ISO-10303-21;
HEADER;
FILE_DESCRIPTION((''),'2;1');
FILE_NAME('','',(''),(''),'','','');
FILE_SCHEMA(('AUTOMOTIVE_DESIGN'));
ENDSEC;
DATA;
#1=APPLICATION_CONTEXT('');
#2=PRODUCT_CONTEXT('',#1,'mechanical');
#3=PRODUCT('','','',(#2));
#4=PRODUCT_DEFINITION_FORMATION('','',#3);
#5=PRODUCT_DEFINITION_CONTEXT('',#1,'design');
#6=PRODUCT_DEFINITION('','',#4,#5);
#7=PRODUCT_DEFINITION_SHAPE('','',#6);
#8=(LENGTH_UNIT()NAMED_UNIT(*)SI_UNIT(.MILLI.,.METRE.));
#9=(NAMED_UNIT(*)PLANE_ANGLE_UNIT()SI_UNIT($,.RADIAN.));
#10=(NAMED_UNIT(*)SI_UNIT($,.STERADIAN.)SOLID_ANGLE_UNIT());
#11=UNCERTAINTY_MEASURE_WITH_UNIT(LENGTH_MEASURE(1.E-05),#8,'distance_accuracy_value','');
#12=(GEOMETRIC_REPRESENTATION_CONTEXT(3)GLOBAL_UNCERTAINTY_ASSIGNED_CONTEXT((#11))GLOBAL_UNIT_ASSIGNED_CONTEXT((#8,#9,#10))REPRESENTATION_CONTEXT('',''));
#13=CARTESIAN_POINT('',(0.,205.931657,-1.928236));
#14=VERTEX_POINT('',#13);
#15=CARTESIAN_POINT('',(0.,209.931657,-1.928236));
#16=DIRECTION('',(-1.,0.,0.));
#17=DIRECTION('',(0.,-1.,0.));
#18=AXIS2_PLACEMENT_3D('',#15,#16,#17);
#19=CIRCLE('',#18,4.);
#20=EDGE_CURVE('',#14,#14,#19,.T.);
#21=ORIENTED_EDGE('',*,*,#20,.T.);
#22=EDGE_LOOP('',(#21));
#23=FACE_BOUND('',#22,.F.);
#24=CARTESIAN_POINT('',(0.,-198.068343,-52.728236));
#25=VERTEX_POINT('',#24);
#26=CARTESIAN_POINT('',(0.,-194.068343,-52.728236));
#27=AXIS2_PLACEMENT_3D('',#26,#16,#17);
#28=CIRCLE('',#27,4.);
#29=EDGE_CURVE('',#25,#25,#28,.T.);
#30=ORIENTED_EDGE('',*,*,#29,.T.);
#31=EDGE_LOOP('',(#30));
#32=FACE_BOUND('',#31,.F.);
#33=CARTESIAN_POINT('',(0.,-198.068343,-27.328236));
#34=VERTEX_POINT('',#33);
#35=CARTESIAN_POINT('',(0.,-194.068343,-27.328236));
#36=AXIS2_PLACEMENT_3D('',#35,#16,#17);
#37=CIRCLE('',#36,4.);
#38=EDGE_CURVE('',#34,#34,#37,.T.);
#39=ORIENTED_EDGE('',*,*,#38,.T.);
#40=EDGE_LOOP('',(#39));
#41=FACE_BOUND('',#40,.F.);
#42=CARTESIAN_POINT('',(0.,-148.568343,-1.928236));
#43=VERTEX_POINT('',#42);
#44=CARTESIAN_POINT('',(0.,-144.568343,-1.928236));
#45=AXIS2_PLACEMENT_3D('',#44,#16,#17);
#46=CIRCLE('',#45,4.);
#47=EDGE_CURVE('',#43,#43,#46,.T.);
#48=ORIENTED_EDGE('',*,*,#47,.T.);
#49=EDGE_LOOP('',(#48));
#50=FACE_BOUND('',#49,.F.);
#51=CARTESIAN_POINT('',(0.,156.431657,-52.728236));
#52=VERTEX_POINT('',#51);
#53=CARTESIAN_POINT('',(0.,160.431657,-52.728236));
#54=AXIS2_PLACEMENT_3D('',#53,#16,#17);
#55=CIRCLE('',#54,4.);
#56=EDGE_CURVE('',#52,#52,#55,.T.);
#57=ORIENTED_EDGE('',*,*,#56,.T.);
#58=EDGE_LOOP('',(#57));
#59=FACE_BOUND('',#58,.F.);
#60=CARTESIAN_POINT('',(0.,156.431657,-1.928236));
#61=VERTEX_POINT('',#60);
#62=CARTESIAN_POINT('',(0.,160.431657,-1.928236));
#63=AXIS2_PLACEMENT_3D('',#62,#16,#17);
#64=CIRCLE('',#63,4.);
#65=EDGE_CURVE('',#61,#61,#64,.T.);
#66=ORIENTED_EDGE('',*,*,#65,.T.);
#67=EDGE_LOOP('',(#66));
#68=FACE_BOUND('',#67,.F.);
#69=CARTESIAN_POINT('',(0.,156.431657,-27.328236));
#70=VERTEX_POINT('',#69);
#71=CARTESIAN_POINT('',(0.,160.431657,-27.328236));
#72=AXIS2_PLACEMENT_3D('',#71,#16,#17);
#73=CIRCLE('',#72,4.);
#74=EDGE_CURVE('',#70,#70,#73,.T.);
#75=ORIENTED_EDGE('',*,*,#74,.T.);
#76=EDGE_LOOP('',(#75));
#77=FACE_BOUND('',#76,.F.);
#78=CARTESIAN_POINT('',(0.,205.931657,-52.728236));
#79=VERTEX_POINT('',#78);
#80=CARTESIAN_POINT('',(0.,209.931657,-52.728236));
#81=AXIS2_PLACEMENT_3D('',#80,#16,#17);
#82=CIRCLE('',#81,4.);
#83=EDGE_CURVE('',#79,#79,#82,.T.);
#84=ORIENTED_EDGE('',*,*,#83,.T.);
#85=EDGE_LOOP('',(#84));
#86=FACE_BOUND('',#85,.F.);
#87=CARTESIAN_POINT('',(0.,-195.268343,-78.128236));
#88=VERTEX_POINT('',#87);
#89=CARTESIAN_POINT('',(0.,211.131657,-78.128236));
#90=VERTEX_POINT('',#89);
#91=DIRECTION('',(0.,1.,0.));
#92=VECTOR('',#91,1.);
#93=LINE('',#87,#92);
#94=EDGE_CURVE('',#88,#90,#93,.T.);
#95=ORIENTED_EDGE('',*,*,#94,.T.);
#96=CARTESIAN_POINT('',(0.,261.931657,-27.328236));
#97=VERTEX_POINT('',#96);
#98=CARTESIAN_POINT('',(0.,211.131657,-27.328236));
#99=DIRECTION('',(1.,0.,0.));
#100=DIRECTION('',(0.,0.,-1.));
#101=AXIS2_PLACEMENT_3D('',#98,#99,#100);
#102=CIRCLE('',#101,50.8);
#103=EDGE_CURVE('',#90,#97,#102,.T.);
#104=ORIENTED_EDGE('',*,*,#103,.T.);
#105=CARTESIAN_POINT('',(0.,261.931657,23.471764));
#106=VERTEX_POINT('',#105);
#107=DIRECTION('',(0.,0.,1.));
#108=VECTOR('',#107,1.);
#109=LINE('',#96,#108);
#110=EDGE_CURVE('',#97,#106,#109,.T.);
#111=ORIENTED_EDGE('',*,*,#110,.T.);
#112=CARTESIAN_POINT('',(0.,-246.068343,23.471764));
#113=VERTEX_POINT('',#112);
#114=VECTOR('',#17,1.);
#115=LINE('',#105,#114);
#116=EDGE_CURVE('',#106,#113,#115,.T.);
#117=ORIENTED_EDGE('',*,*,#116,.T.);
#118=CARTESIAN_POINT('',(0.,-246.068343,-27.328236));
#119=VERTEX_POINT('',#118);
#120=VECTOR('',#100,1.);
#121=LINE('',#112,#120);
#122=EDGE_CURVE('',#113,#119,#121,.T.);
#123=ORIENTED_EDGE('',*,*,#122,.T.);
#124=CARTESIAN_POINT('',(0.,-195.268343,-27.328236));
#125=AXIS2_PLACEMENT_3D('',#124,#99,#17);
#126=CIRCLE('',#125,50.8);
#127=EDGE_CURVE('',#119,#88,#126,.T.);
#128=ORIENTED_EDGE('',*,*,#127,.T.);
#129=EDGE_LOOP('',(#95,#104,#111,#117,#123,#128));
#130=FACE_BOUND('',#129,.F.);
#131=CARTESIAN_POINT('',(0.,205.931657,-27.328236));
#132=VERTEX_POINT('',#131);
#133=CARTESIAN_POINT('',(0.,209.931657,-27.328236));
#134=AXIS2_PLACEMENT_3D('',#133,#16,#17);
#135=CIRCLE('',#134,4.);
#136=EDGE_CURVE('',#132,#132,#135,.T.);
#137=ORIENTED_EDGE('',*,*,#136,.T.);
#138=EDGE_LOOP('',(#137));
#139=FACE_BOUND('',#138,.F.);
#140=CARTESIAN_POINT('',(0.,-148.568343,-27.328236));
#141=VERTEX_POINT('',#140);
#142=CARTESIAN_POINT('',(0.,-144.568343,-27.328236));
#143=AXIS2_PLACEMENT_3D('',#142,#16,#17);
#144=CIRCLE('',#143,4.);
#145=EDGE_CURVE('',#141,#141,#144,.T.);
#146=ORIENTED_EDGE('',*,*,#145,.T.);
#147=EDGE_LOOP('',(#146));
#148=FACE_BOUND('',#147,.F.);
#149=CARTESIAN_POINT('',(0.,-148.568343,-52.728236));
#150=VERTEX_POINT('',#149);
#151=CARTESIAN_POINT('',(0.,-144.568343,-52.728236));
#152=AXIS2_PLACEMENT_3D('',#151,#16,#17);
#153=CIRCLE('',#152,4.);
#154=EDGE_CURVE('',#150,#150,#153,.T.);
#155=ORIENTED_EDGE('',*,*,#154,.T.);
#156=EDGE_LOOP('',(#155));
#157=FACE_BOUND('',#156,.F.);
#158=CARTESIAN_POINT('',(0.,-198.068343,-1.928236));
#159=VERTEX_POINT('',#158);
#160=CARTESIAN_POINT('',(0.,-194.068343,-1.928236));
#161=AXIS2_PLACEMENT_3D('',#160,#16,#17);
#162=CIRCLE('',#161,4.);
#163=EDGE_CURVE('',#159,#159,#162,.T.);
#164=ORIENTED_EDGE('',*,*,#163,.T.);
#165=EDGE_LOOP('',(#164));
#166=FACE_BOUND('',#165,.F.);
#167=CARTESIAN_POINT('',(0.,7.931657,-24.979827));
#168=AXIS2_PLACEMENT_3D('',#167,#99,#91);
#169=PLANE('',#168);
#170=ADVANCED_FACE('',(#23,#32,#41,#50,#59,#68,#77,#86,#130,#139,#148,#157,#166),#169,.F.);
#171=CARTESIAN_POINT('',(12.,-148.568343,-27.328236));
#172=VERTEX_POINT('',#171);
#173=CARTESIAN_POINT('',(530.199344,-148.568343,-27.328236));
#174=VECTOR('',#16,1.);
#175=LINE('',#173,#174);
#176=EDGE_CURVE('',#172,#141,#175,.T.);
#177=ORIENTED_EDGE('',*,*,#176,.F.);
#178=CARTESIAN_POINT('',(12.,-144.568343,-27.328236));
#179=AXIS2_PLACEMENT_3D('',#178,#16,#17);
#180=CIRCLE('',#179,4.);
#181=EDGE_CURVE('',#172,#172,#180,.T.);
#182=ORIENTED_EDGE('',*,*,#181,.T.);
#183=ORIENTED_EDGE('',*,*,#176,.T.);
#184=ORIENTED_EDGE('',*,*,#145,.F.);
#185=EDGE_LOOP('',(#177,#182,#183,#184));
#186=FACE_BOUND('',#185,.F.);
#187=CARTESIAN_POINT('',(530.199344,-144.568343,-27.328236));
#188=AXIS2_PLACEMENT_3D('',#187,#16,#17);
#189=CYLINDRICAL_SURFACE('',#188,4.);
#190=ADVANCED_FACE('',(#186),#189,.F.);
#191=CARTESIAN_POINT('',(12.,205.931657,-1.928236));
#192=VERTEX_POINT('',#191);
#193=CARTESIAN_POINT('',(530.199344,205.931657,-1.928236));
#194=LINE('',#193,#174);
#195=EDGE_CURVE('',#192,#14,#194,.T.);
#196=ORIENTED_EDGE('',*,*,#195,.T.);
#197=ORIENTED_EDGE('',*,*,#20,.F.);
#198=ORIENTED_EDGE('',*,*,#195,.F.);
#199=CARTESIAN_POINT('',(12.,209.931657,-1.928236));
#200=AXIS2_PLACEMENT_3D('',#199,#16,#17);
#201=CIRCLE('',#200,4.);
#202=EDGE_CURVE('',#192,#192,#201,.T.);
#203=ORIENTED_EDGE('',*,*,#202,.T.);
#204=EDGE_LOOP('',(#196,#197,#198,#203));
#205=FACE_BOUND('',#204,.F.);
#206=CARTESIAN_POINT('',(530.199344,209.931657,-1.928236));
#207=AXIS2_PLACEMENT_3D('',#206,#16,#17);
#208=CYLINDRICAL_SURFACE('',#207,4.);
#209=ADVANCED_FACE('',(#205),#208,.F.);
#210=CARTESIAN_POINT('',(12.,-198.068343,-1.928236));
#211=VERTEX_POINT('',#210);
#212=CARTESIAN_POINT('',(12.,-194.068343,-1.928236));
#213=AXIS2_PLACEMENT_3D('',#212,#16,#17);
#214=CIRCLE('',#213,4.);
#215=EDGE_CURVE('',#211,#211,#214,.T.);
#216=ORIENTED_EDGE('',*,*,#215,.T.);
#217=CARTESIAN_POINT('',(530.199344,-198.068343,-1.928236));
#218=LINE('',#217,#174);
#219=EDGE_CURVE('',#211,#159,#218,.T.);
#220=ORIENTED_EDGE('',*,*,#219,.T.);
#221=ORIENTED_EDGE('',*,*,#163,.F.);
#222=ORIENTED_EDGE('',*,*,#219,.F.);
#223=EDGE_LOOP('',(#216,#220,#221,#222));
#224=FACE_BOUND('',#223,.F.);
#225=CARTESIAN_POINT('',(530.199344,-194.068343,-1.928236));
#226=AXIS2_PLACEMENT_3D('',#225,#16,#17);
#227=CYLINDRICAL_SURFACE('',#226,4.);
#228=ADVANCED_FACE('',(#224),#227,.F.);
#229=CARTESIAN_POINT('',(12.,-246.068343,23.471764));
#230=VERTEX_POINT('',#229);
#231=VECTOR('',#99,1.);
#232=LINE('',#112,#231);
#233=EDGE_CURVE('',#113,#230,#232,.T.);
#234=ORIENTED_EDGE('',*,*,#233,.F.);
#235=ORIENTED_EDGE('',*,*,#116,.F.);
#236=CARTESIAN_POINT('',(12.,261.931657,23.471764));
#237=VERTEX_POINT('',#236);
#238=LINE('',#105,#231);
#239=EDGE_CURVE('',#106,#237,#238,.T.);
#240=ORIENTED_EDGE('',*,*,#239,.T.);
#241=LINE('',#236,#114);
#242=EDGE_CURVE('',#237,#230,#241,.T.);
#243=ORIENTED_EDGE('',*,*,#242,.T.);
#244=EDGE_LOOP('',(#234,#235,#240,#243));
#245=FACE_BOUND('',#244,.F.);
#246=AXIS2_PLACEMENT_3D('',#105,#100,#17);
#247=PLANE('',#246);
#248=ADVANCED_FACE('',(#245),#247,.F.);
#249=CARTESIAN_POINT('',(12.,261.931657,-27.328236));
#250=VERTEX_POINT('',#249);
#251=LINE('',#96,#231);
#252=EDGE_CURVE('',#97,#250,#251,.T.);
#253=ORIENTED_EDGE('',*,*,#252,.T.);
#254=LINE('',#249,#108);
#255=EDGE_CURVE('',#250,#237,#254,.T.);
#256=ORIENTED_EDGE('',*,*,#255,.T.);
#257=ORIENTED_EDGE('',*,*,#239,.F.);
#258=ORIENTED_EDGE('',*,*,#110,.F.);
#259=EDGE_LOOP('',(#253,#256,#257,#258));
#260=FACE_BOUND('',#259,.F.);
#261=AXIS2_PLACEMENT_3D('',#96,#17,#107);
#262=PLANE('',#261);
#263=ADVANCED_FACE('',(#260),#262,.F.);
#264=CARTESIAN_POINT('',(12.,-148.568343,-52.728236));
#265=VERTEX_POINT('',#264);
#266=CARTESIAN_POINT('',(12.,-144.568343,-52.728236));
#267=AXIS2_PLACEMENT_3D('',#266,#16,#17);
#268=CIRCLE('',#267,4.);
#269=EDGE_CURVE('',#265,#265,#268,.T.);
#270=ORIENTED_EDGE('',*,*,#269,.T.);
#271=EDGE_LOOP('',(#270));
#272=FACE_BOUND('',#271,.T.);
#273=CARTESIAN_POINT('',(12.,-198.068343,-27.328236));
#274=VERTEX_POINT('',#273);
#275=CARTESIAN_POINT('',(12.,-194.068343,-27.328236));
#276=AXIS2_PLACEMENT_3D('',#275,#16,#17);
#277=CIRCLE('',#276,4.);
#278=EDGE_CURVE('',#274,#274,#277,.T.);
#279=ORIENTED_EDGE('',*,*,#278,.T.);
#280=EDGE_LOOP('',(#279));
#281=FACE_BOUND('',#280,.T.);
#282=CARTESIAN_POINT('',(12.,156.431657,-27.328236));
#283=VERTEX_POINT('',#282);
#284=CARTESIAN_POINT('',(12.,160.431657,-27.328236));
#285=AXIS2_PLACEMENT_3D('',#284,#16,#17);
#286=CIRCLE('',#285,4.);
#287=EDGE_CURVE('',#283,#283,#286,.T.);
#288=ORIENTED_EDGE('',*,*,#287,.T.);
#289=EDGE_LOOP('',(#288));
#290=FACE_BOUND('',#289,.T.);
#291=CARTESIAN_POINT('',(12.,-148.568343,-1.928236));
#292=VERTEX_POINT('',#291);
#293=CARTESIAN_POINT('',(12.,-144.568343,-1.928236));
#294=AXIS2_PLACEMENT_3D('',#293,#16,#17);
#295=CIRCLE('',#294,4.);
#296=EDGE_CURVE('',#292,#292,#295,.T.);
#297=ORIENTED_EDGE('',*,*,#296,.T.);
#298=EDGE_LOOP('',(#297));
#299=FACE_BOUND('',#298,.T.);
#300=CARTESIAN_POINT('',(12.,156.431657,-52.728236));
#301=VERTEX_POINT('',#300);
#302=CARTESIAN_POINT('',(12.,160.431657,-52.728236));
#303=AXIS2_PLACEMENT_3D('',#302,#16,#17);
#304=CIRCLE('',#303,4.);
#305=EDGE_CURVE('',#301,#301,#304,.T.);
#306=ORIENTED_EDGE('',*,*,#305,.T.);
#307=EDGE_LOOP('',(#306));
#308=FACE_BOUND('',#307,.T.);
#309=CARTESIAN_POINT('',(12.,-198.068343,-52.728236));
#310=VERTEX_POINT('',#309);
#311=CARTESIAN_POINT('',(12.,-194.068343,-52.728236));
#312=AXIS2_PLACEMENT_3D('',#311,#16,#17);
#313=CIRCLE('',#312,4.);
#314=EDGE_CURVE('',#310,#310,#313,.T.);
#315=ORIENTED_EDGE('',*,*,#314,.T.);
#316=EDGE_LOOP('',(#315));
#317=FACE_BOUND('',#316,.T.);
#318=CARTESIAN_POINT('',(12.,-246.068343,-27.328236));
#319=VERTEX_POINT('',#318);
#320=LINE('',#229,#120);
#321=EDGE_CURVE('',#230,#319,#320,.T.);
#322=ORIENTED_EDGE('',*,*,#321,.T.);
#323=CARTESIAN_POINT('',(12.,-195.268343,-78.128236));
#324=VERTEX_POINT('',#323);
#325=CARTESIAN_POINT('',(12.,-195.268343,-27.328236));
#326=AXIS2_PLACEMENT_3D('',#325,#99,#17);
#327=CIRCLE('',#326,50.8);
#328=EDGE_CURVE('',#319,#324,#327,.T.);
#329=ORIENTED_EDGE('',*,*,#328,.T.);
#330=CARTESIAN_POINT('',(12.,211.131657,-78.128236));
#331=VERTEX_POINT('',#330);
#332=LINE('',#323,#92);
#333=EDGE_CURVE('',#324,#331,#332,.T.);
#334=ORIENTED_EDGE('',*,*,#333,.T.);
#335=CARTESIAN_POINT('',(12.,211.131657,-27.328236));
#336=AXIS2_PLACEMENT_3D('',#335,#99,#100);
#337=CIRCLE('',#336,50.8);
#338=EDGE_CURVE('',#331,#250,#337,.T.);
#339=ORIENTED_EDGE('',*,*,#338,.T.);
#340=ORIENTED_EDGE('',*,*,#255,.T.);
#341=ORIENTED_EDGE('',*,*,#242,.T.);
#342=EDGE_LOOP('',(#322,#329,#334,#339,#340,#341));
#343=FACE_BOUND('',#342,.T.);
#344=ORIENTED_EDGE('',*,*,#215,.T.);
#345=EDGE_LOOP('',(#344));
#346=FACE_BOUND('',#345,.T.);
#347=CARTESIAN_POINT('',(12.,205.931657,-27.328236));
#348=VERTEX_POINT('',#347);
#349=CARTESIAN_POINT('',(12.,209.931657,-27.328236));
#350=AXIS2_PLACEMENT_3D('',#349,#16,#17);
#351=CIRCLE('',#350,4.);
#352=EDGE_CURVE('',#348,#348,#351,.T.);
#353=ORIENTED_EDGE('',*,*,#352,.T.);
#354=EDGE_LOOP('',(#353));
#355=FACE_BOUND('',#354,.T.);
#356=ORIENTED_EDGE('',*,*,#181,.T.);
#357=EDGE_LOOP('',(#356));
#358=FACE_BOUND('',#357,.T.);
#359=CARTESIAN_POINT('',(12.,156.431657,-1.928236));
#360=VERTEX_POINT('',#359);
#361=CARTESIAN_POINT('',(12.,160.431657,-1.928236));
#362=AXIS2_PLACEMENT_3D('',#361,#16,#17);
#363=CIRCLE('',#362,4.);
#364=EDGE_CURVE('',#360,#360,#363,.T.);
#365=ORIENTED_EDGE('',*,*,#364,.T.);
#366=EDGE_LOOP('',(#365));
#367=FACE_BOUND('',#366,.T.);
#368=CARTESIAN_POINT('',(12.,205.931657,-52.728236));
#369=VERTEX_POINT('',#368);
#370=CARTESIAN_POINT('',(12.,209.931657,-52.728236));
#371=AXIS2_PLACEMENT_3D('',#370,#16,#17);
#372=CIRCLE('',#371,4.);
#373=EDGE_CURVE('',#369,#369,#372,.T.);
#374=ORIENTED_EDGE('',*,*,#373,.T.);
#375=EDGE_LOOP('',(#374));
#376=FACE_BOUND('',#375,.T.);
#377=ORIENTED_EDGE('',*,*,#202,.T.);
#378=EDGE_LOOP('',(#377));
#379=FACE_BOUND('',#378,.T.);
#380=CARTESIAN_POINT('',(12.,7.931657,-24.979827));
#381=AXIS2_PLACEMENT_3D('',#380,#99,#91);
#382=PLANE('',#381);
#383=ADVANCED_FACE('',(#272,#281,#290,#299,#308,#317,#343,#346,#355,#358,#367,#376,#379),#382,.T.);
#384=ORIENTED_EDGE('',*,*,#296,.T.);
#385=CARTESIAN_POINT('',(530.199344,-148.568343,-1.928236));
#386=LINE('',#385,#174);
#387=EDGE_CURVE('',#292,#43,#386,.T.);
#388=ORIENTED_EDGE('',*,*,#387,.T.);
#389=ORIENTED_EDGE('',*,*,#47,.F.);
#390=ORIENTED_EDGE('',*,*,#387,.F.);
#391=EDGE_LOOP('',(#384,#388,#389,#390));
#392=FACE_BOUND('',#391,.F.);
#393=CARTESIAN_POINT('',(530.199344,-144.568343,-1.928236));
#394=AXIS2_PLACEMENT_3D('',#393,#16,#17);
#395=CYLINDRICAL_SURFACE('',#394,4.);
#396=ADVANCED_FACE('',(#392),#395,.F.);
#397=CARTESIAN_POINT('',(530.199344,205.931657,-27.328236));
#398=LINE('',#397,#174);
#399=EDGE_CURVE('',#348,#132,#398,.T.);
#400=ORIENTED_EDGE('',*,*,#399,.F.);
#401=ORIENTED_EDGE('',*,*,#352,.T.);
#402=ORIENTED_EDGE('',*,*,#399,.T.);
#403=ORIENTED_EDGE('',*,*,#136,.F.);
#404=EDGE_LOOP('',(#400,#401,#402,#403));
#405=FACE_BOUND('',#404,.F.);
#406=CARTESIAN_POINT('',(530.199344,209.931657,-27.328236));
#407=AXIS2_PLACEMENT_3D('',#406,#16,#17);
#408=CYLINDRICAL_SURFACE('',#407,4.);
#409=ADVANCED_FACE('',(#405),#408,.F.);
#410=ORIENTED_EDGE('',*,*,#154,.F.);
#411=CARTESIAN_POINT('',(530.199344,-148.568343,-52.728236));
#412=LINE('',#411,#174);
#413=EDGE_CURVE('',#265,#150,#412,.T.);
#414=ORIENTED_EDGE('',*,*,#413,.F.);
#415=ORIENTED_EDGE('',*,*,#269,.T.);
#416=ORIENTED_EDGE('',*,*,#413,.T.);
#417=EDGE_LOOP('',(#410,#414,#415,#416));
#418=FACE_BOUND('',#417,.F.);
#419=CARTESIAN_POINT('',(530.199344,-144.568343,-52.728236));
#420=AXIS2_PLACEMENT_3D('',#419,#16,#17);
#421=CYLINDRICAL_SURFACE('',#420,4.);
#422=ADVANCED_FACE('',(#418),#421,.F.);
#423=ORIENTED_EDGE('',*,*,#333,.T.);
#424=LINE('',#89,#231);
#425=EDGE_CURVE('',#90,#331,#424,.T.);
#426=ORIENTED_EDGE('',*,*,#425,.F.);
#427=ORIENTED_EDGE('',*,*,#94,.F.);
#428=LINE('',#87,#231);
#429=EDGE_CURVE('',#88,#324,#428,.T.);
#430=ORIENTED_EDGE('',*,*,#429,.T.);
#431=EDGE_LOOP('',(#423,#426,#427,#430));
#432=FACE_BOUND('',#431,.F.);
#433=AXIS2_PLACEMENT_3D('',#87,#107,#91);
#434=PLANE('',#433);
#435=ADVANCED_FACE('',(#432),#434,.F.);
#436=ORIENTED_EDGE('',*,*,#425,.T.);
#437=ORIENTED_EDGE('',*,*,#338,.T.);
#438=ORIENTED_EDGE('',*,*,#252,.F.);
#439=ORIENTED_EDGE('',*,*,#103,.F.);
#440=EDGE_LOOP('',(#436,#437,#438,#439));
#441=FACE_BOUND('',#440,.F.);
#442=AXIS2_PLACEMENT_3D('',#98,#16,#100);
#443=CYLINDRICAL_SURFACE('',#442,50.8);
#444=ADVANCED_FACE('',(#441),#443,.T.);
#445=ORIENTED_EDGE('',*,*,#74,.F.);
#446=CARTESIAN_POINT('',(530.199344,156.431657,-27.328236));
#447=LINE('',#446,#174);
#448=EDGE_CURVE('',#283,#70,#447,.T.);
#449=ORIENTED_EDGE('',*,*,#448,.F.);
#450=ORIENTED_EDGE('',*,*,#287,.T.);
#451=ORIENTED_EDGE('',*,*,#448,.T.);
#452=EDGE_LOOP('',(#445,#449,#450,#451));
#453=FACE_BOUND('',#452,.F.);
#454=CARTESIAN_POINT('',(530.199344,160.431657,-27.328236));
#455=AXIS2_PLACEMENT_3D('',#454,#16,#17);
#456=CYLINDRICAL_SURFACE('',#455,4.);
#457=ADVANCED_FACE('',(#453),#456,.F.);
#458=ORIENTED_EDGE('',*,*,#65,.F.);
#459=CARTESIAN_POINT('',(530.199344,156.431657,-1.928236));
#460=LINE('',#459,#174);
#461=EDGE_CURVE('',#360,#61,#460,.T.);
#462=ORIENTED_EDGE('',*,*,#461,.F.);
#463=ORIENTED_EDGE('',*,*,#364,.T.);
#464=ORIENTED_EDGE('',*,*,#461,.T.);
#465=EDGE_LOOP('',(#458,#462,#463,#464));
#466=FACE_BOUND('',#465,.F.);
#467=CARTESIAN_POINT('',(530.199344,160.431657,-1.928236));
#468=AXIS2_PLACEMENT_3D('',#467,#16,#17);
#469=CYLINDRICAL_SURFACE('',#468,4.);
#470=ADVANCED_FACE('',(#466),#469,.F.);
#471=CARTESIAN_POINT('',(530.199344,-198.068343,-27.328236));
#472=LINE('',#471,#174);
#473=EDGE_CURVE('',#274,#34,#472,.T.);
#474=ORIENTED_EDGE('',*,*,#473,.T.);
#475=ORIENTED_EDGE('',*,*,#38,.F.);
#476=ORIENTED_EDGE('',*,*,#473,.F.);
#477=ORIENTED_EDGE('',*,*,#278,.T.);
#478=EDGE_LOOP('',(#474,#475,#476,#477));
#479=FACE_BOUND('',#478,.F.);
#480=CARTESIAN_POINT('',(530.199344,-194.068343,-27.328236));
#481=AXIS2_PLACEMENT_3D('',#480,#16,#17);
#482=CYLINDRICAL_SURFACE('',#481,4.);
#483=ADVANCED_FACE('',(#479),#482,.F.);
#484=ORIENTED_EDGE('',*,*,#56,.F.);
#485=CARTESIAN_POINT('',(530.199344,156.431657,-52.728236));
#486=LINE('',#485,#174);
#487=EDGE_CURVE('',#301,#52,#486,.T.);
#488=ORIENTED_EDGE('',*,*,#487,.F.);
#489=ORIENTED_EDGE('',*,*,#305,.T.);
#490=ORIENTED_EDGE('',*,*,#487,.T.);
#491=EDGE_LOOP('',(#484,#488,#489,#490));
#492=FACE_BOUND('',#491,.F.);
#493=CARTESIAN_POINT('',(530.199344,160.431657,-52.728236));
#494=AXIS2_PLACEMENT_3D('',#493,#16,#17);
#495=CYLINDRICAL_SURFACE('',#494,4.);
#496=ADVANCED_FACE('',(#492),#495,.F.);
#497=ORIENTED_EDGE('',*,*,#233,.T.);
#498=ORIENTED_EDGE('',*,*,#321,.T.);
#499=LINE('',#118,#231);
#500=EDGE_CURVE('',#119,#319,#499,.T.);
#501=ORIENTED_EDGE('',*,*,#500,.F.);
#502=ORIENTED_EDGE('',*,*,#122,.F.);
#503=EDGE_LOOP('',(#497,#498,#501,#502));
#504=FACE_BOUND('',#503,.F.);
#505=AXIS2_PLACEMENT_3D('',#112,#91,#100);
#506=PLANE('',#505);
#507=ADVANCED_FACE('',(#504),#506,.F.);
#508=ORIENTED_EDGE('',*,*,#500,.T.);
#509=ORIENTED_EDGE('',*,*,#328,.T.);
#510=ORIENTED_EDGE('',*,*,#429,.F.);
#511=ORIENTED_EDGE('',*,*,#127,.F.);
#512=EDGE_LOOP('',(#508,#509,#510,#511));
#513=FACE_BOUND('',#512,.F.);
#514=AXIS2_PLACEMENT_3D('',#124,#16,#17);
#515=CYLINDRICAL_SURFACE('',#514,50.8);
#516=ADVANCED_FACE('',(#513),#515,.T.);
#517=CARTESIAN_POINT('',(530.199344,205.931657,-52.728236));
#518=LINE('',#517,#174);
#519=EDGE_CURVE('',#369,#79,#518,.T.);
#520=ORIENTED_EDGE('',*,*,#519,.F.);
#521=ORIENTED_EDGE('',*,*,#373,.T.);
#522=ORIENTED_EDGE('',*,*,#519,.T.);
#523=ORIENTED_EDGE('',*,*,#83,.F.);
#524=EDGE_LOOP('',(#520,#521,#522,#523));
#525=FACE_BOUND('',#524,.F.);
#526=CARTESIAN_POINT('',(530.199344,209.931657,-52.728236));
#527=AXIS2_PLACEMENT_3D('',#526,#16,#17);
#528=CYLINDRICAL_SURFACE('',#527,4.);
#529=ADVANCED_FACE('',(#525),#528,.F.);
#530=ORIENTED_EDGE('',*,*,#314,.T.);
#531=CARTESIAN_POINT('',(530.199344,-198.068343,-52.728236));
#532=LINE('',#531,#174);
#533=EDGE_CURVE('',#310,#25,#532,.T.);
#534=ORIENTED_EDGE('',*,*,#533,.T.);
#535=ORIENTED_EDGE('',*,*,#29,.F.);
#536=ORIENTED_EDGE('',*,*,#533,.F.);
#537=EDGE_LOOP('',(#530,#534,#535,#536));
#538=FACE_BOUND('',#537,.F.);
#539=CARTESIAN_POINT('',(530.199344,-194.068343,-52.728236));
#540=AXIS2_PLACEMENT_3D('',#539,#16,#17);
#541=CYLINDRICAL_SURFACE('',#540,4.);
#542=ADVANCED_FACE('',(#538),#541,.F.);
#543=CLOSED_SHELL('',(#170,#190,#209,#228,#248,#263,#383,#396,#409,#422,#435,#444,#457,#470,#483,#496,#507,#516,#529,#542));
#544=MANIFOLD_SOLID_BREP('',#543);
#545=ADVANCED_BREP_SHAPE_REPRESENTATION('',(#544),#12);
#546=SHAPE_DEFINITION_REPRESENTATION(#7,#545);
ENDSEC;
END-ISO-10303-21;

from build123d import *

# Parameters (mm, degrees)
F1_DEPTH = 12
F3_D     = 8


with BuildPart() as f1:
    # F0 (on Right) → F1 (new body)
    with BuildSketch(Plane.YZ):
        with BuildLine():
            Line((261.9316571355, 23.4717637405), (-246.0683428645, 23.4717637405))
            Line((-246.0683428645, 23.4717637405), (-246.0683428645, -27.3282362595))
            ThreePointArc((-246.0683428645, -27.3282362595), (-231.1893673488, -63.2492607438), (-195.2683428645, -78.1282362595))
            Line((-195.2683428645, -78.1282362595), (211.1316571355, -78.1282362595))
            ThreePointArc((211.1316571355, -78.1282362595), (247.0526816198, -63.2492607438), (261.9316571355, -27.3282362595))
            Line((261.9316571355, -27.3282362595), (261.9316571355, 23.4717637405))
        make_face()
    extrude(amount=F1_DEPTH)

    # F3 (through all)
    with Locations(Plane.YZ.offset(12)):
        with Locations((-194.0683428645, -1.9282362595), (-194.0683428645, -27.3282362595), (-194.0683428645, -52.7282362595), (-144.5683428645, -52.7282362595), (-144.5683428645, -27.3282362595), (-144.5683428645, -1.9282362595), (160.4316571355, -1.9282362595), (160.4316571355, -27.3282362595), (160.4316571355, -52.7282362595), (209.9316571355, -52.7282362595), (209.9316571355, -27.3282362595), (209.9316571355, -1.9282362595)):
            Hole(F3_D / 2)


solid = f1.part
